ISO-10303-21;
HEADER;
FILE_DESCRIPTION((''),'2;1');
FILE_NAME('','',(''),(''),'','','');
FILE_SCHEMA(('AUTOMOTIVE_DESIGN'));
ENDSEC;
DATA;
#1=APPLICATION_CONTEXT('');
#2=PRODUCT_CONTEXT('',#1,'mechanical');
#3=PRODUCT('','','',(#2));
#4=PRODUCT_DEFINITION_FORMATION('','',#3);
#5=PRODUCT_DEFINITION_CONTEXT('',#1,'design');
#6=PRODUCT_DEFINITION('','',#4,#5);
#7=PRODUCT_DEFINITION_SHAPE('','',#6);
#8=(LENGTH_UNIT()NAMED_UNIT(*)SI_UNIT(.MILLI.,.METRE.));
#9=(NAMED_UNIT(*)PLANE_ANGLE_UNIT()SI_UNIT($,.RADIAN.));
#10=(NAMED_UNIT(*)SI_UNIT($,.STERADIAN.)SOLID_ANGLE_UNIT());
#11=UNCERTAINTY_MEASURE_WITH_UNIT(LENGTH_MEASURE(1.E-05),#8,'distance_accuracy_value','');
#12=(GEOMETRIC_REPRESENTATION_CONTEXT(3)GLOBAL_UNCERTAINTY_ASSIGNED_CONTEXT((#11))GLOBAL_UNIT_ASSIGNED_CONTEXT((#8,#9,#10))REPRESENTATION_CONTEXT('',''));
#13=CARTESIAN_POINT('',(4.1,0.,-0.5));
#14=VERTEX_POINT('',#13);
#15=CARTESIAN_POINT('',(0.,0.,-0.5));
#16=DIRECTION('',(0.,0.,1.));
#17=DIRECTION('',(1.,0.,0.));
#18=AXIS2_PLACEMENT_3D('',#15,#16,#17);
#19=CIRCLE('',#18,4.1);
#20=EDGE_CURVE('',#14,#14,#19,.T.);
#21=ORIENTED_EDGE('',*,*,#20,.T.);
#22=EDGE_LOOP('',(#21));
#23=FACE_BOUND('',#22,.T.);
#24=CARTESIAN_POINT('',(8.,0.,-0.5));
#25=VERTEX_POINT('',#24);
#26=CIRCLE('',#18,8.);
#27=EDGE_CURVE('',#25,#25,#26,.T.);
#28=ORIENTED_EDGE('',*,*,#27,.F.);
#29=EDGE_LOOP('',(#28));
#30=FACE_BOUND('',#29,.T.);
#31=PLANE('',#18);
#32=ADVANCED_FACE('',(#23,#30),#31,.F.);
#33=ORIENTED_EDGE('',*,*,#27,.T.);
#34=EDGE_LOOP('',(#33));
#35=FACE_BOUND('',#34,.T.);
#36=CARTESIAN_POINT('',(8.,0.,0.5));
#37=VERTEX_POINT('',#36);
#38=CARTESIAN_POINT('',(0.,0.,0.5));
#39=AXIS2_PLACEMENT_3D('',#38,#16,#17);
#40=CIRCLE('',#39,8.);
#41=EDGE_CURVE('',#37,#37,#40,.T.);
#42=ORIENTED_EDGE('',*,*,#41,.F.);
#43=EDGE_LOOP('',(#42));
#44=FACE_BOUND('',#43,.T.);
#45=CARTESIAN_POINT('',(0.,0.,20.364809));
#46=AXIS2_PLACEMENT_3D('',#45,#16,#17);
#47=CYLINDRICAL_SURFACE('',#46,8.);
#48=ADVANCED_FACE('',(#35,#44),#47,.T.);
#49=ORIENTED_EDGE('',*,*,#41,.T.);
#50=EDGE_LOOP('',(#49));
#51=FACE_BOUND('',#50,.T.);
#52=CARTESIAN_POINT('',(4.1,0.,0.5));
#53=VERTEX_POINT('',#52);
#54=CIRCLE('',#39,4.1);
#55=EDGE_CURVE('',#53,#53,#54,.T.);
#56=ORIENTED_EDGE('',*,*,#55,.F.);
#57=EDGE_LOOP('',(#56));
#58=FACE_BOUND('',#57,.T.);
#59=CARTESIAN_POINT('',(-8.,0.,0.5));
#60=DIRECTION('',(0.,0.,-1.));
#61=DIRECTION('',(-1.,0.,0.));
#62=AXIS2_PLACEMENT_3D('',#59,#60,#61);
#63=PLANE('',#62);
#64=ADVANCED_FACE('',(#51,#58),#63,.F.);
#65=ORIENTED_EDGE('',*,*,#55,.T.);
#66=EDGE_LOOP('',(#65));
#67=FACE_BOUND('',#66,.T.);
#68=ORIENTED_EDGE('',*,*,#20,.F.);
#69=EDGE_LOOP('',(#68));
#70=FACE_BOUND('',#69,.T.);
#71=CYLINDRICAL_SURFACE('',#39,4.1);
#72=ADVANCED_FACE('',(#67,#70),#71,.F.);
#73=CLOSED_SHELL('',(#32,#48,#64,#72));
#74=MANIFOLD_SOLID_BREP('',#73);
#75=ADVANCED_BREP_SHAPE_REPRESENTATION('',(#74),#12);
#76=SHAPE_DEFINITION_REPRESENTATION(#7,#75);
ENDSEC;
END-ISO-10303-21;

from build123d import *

# Parameters (mm, degrees)
SKETCH1_W                  = 8
SKETCH1_H                  = 1
F_8_2_8_2_DIAMETER_HOLE1_D = 8.2


with BuildPart() as part:
    # Sketch1 → Revolve1 (revolve)
    with BuildSketch(Plane(origin=(0, 0, 0), x_dir=(1, 0, 0), z_dir=(0, 1, 0))):
        with Locations((-4, 0)):
            Rectangle(SKETCH1_W, SKETCH1_H)
    revolve(axis=Axis((0, 0, 20.364809028), (0, 0, -1)))

    # Ø8.2 (8.2) Diameter Hole1 (through all)
    with Locations(Plane.XY.offset(0.5)):
        with Locations((0, 0)):
            Hole(F_8_2_8_2_DIAMETER_HOLE1_D / 2)


solid = part.part
